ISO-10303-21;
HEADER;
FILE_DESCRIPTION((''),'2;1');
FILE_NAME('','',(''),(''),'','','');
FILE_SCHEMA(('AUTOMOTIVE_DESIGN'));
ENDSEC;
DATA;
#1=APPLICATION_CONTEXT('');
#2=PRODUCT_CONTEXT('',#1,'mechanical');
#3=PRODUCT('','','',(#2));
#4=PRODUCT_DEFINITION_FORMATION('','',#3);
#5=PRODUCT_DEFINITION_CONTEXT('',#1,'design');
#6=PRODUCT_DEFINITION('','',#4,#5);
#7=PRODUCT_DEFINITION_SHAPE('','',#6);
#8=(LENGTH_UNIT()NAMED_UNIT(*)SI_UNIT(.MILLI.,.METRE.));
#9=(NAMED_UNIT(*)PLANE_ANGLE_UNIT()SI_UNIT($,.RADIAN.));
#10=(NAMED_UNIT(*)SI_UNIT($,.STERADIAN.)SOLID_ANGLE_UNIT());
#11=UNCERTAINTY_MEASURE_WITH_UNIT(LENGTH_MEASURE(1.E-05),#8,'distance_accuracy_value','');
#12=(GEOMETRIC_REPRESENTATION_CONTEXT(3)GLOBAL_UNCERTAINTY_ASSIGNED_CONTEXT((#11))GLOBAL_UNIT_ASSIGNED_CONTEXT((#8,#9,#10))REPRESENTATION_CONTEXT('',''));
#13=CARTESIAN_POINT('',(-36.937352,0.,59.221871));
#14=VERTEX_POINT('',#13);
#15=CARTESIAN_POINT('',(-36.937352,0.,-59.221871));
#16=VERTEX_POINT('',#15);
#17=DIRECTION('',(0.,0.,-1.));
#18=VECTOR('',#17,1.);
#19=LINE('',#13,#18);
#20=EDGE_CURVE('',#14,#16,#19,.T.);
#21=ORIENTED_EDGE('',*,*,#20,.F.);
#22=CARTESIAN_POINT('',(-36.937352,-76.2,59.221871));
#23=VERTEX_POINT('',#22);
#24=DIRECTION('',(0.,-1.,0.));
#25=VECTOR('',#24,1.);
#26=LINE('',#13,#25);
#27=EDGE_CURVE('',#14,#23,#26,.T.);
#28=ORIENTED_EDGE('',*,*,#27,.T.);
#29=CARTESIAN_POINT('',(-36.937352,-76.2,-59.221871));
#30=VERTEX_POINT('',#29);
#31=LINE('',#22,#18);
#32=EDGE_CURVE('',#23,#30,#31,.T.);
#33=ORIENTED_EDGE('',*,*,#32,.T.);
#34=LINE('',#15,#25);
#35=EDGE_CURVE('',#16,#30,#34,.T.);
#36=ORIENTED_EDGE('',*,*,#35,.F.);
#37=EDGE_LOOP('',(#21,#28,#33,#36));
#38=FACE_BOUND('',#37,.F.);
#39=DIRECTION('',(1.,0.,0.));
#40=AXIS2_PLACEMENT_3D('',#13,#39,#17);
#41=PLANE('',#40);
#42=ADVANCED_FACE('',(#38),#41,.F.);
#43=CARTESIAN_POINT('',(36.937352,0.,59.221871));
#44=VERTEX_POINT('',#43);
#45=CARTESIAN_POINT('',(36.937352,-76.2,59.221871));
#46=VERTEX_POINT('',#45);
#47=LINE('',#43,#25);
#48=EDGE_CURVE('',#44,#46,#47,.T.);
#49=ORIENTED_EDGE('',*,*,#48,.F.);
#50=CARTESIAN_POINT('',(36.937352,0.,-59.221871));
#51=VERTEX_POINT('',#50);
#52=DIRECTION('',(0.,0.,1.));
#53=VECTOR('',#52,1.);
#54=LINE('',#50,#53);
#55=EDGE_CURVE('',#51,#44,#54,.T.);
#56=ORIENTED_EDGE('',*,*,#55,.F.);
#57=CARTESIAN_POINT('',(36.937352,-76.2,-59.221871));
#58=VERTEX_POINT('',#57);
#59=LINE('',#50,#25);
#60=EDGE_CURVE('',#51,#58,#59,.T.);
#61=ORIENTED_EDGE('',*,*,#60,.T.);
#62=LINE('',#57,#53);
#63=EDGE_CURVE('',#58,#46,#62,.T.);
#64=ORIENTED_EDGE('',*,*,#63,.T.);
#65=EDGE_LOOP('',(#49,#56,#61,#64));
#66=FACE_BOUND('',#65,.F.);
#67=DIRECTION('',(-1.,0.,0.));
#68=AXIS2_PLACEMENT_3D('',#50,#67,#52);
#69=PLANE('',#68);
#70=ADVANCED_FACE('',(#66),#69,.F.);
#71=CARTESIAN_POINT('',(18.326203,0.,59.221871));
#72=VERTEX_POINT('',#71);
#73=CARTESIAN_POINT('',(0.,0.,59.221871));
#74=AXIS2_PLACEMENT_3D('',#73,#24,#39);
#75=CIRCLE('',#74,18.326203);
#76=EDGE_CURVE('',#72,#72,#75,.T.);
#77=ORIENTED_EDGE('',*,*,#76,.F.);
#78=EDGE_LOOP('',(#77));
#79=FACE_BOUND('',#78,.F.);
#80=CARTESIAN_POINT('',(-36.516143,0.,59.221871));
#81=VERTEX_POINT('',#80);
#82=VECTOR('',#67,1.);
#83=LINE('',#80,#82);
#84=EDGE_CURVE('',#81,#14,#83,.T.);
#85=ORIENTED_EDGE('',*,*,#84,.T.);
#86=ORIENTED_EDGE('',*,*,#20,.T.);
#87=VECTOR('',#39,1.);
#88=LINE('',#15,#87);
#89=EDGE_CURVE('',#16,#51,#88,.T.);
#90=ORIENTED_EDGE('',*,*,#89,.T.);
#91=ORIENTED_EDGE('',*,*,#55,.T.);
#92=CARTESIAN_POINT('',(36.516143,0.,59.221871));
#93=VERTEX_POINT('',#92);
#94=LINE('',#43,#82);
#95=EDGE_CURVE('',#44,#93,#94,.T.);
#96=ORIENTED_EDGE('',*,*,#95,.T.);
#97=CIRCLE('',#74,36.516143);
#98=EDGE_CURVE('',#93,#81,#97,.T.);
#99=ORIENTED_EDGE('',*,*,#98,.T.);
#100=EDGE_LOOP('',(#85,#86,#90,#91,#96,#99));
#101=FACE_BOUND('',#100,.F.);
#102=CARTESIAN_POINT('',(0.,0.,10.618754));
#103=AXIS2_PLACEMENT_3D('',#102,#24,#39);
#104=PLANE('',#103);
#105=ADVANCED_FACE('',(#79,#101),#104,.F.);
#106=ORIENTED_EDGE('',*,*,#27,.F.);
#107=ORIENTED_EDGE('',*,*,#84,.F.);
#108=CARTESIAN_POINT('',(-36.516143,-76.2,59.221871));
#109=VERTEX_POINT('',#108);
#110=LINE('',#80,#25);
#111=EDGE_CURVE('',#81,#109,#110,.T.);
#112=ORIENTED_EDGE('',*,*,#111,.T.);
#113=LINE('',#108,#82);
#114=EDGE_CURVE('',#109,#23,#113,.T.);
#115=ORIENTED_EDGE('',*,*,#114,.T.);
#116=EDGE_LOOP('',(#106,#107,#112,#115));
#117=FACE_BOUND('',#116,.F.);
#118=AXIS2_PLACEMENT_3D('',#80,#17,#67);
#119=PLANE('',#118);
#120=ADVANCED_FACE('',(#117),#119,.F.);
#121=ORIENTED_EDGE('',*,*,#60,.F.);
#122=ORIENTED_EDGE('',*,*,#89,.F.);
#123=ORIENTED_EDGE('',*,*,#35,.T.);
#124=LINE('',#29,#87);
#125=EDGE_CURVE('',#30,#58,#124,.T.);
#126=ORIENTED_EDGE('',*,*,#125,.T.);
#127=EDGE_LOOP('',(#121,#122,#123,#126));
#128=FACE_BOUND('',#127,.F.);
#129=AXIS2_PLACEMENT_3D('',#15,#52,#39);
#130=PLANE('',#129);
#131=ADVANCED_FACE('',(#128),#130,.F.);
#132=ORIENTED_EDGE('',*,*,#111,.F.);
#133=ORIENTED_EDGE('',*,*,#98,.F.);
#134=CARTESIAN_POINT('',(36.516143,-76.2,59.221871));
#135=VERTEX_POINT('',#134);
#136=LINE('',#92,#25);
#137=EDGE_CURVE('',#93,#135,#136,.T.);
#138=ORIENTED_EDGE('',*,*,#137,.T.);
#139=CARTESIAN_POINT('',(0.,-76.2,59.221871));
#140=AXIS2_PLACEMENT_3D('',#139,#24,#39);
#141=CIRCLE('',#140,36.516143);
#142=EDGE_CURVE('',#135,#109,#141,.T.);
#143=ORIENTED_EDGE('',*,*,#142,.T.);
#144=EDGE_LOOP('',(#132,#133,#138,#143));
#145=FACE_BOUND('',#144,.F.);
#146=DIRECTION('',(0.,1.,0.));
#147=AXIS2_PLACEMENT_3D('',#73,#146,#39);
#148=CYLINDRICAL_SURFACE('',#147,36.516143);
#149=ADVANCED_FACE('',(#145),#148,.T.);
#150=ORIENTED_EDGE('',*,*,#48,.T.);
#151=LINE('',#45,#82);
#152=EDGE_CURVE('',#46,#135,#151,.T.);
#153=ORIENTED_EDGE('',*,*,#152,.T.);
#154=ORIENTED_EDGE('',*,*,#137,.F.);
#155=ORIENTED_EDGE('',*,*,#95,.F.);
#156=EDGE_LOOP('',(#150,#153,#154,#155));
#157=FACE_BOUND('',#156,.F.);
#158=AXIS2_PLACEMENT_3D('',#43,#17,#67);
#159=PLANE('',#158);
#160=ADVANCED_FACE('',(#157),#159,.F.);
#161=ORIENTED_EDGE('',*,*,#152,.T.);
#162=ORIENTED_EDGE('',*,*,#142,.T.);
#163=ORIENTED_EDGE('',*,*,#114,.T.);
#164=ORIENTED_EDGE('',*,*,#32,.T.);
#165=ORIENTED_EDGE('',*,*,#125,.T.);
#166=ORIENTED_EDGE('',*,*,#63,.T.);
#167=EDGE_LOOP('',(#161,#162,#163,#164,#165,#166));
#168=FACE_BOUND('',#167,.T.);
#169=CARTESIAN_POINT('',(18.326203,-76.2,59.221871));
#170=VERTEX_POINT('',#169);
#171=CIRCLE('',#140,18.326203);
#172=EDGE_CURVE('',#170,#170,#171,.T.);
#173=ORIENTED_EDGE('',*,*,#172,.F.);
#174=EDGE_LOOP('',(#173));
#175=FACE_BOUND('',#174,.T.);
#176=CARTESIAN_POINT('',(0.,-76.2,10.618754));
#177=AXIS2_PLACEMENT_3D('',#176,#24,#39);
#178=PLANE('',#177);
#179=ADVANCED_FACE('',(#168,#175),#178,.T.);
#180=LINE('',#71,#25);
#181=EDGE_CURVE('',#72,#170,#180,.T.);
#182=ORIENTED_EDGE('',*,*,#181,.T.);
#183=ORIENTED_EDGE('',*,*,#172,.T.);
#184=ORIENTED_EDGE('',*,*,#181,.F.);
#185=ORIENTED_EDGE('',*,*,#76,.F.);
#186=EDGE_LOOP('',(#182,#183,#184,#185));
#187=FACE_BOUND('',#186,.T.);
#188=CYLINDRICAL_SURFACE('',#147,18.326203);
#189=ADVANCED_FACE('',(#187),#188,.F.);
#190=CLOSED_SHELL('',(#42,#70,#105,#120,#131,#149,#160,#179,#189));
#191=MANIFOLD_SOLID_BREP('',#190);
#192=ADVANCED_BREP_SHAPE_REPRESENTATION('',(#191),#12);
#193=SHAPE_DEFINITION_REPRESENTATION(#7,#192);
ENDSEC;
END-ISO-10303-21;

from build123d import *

# Parameters (mm, degrees)
F0_R     = 18.326203
F1_DEPTH = 76.2


with BuildPart() as f1:
    # F0 (on Front) → F1 (new body)
    with BuildSketch(Plane.XZ):
        with BuildLine():
            Line((-36.937352, -59.221871), (36.937352, -59.221871))
            Line((36.937352, -59.221871), (36.937352, 59.221871))
            Line((36.937352, 59.221871), (36.516143, 59.221871))
            ThreePointArc((36.516143, 59.221871), (0, 95.738014), (-36.516143, 59.221871))
            Line((-36.516143, 59.221871), (-36.937352, 59.221871))
            Line((-36.937352, 59.221871), (-36.937352, -59.221871))
        make_face()
        with Locations((0, 59.221871)):
            Circle(F0_R, mode=Mode.SUBTRACT)
    extrude(amount=F1_DEPTH)


solid = f1.part
